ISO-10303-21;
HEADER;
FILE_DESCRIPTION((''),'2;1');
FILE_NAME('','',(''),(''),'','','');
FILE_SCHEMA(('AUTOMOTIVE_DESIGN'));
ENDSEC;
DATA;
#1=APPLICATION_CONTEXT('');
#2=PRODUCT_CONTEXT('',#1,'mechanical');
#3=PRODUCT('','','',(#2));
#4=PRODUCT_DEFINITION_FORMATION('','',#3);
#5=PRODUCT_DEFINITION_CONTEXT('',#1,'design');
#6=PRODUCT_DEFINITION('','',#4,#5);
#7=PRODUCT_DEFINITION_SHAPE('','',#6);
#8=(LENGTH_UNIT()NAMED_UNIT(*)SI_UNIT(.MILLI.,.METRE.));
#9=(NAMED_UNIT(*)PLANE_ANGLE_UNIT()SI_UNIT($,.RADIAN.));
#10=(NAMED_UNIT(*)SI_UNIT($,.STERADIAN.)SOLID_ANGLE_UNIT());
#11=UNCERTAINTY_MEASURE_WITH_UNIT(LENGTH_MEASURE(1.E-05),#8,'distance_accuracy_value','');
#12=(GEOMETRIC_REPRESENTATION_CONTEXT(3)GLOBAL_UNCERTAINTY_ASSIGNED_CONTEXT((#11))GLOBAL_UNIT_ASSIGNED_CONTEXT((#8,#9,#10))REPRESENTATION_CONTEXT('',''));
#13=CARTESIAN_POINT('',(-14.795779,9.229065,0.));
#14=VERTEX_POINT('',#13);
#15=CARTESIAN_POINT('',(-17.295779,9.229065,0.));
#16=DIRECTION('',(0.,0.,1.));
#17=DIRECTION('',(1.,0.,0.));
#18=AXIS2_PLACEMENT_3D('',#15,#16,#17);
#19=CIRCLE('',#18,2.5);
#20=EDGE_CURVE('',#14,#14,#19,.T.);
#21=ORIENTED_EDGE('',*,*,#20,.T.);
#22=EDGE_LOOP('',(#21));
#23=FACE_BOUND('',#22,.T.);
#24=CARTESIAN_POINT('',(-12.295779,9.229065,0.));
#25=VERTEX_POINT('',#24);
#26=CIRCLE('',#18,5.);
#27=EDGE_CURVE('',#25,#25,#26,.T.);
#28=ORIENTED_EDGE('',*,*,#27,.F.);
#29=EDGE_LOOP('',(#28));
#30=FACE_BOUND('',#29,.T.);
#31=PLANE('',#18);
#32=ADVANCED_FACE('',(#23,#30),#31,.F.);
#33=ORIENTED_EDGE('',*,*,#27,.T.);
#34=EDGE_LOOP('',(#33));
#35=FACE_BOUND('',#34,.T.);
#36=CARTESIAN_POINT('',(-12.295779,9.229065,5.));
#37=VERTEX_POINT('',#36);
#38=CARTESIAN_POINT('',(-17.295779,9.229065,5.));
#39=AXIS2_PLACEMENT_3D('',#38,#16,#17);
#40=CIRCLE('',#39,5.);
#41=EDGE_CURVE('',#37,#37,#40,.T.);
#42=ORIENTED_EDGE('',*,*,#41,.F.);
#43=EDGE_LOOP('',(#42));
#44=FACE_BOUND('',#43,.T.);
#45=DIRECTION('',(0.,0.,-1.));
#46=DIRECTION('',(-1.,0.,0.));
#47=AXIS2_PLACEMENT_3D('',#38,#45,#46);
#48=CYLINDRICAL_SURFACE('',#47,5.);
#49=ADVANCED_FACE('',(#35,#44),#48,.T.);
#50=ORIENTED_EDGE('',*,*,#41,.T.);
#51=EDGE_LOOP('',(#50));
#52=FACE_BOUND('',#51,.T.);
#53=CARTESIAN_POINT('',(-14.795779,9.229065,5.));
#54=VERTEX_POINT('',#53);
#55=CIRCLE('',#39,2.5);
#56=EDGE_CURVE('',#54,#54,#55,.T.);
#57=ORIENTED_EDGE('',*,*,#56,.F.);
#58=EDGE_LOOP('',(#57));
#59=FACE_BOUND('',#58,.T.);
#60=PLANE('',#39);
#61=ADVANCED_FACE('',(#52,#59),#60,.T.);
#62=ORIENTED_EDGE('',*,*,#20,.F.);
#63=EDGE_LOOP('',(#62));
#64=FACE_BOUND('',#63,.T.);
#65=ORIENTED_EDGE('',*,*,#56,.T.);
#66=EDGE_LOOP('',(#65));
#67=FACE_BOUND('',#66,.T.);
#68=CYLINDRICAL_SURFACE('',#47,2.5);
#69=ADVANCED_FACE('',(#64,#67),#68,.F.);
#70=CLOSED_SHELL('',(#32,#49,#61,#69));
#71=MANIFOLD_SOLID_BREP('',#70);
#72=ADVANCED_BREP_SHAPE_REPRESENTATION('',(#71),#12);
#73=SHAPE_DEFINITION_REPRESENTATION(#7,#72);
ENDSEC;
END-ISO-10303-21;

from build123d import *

# Parameters (mm, degrees)
SKETCH1_R           = 5
SKETCH1_R_2         = 2.5
BOSS_EXTRUDE1_DEPTH = 5


with BuildPart() as part:
    # Sketch1 → Boss-Extrude1 (new body)
    with BuildSketch(Plane.XY):
        with Locations((-17.295778932, 9.229064833)):
            Circle(SKETCH1_R)
        with Locations((-17.295778932, 9.229064833)):
            Circle(SKETCH1_R_2, mode=Mode.SUBTRACT)
    extrude(amount=BOSS_EXTRUDE1_DEPTH)


solid = part.part
